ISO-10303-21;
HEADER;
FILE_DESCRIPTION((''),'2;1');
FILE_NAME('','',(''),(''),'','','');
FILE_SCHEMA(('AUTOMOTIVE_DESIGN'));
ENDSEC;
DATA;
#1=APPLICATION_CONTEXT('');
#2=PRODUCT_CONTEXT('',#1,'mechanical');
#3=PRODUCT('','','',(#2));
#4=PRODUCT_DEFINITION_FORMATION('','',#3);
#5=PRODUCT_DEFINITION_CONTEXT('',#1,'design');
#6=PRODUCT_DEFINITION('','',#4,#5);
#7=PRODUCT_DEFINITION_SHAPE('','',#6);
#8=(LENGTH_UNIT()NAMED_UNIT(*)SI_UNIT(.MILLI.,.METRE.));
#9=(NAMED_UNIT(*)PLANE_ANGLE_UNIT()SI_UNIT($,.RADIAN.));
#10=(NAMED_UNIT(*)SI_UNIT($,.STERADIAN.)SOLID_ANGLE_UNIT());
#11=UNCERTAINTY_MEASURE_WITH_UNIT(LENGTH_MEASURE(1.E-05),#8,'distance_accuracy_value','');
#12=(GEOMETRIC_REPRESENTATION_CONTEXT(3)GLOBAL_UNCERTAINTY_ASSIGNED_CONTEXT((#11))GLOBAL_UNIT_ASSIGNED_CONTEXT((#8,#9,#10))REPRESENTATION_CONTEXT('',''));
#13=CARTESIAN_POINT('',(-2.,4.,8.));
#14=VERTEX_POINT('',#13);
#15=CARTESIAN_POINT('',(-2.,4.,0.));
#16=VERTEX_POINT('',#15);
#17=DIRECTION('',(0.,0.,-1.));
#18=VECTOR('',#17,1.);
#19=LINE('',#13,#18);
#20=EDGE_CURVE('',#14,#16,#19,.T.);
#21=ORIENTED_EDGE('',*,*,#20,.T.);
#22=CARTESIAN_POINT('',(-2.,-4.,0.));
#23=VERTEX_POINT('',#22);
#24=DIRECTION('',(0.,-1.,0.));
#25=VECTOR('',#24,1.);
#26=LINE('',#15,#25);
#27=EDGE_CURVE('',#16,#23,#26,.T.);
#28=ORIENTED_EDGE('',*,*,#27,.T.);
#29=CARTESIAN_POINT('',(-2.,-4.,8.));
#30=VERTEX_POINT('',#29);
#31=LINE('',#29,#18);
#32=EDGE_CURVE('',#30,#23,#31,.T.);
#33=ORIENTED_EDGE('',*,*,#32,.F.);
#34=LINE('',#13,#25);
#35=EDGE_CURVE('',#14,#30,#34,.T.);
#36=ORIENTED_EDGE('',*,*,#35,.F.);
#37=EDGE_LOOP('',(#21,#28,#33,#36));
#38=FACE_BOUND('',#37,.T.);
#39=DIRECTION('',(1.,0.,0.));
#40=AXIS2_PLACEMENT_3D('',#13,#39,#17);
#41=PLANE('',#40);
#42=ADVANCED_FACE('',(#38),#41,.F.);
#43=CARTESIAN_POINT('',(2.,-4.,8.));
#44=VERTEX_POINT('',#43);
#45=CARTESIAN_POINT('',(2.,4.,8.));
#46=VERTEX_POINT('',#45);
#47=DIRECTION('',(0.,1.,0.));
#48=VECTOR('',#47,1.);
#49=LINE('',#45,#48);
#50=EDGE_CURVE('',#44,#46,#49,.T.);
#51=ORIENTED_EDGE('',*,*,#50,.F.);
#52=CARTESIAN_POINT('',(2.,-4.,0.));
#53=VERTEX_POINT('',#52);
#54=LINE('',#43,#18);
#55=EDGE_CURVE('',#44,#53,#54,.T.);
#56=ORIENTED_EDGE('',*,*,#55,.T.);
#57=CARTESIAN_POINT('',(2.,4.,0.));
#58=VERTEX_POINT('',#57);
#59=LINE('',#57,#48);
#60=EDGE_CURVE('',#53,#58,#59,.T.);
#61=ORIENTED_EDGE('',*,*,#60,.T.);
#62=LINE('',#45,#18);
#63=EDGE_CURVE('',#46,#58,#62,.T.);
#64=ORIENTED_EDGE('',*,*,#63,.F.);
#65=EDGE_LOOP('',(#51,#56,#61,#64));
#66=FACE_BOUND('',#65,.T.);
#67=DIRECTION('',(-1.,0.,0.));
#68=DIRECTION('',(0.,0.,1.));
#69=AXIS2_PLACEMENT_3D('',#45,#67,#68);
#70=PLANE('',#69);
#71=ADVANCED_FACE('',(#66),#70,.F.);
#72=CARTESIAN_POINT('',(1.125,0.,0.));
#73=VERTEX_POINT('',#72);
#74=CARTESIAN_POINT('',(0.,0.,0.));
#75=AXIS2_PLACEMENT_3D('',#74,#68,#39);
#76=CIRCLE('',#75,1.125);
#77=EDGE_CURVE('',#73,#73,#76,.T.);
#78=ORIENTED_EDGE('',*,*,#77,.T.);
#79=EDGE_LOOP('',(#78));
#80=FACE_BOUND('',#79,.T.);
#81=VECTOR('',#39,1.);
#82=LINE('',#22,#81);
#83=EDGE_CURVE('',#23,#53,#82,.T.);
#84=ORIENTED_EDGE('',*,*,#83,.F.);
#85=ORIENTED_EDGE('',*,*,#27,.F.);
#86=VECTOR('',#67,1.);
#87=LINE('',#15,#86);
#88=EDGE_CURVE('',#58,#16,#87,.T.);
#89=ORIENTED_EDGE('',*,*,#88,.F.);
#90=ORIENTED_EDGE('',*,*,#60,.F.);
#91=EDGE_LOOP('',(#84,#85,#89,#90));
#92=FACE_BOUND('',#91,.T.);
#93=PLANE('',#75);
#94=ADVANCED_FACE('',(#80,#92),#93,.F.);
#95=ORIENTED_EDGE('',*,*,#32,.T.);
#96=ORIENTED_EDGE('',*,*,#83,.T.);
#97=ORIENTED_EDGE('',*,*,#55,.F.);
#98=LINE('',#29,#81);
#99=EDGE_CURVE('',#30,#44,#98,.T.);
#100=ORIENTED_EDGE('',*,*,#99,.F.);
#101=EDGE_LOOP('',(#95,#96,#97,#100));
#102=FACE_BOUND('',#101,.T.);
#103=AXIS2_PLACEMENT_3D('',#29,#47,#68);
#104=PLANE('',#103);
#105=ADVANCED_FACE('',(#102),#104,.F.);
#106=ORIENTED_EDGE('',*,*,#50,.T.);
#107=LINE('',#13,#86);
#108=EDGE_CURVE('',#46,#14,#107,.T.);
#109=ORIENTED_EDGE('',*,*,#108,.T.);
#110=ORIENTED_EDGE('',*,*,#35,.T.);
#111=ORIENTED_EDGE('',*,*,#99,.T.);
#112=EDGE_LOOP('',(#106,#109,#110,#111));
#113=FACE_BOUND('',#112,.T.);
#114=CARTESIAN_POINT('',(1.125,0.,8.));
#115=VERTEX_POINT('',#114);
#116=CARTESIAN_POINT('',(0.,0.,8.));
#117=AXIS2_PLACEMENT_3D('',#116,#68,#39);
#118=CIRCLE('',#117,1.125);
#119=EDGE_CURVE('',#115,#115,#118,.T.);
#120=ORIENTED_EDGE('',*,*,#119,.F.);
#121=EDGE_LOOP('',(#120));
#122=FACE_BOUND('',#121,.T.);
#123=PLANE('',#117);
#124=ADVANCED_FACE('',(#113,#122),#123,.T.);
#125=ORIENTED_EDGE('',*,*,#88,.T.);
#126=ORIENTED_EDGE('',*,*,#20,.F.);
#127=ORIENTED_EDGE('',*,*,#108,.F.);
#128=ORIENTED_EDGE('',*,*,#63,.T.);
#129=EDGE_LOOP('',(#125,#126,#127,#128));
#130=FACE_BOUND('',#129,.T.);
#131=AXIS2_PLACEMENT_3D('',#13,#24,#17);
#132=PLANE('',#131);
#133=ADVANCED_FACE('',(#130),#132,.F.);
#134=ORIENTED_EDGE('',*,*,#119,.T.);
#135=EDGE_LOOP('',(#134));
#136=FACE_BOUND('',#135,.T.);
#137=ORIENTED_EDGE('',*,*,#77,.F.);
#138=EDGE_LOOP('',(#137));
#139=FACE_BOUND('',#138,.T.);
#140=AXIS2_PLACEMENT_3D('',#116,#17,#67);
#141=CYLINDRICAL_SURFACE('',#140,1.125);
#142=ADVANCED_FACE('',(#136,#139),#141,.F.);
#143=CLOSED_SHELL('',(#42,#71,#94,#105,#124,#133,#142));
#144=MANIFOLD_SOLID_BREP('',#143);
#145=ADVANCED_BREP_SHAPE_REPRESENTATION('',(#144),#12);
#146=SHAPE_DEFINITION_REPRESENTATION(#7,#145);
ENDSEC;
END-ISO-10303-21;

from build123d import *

# Parameters (mm, degrees)
SKETCH1_W           = 4
SKETCH1_H           = 8
SKETCH1_R           = 1.125
BOSS_EXTRUDE1_DEPTH = 8


with BuildPart() as part:
    # Sketch1 → Boss-Extrude1 (new body)
    with BuildSketch(Plane.XY):
        Rectangle(SKETCH1_W, SKETCH1_H)
        Circle(SKETCH1_R, mode=Mode.SUBTRACT)
    extrude(amount=BOSS_EXTRUDE1_DEPTH)


solid = part.part
